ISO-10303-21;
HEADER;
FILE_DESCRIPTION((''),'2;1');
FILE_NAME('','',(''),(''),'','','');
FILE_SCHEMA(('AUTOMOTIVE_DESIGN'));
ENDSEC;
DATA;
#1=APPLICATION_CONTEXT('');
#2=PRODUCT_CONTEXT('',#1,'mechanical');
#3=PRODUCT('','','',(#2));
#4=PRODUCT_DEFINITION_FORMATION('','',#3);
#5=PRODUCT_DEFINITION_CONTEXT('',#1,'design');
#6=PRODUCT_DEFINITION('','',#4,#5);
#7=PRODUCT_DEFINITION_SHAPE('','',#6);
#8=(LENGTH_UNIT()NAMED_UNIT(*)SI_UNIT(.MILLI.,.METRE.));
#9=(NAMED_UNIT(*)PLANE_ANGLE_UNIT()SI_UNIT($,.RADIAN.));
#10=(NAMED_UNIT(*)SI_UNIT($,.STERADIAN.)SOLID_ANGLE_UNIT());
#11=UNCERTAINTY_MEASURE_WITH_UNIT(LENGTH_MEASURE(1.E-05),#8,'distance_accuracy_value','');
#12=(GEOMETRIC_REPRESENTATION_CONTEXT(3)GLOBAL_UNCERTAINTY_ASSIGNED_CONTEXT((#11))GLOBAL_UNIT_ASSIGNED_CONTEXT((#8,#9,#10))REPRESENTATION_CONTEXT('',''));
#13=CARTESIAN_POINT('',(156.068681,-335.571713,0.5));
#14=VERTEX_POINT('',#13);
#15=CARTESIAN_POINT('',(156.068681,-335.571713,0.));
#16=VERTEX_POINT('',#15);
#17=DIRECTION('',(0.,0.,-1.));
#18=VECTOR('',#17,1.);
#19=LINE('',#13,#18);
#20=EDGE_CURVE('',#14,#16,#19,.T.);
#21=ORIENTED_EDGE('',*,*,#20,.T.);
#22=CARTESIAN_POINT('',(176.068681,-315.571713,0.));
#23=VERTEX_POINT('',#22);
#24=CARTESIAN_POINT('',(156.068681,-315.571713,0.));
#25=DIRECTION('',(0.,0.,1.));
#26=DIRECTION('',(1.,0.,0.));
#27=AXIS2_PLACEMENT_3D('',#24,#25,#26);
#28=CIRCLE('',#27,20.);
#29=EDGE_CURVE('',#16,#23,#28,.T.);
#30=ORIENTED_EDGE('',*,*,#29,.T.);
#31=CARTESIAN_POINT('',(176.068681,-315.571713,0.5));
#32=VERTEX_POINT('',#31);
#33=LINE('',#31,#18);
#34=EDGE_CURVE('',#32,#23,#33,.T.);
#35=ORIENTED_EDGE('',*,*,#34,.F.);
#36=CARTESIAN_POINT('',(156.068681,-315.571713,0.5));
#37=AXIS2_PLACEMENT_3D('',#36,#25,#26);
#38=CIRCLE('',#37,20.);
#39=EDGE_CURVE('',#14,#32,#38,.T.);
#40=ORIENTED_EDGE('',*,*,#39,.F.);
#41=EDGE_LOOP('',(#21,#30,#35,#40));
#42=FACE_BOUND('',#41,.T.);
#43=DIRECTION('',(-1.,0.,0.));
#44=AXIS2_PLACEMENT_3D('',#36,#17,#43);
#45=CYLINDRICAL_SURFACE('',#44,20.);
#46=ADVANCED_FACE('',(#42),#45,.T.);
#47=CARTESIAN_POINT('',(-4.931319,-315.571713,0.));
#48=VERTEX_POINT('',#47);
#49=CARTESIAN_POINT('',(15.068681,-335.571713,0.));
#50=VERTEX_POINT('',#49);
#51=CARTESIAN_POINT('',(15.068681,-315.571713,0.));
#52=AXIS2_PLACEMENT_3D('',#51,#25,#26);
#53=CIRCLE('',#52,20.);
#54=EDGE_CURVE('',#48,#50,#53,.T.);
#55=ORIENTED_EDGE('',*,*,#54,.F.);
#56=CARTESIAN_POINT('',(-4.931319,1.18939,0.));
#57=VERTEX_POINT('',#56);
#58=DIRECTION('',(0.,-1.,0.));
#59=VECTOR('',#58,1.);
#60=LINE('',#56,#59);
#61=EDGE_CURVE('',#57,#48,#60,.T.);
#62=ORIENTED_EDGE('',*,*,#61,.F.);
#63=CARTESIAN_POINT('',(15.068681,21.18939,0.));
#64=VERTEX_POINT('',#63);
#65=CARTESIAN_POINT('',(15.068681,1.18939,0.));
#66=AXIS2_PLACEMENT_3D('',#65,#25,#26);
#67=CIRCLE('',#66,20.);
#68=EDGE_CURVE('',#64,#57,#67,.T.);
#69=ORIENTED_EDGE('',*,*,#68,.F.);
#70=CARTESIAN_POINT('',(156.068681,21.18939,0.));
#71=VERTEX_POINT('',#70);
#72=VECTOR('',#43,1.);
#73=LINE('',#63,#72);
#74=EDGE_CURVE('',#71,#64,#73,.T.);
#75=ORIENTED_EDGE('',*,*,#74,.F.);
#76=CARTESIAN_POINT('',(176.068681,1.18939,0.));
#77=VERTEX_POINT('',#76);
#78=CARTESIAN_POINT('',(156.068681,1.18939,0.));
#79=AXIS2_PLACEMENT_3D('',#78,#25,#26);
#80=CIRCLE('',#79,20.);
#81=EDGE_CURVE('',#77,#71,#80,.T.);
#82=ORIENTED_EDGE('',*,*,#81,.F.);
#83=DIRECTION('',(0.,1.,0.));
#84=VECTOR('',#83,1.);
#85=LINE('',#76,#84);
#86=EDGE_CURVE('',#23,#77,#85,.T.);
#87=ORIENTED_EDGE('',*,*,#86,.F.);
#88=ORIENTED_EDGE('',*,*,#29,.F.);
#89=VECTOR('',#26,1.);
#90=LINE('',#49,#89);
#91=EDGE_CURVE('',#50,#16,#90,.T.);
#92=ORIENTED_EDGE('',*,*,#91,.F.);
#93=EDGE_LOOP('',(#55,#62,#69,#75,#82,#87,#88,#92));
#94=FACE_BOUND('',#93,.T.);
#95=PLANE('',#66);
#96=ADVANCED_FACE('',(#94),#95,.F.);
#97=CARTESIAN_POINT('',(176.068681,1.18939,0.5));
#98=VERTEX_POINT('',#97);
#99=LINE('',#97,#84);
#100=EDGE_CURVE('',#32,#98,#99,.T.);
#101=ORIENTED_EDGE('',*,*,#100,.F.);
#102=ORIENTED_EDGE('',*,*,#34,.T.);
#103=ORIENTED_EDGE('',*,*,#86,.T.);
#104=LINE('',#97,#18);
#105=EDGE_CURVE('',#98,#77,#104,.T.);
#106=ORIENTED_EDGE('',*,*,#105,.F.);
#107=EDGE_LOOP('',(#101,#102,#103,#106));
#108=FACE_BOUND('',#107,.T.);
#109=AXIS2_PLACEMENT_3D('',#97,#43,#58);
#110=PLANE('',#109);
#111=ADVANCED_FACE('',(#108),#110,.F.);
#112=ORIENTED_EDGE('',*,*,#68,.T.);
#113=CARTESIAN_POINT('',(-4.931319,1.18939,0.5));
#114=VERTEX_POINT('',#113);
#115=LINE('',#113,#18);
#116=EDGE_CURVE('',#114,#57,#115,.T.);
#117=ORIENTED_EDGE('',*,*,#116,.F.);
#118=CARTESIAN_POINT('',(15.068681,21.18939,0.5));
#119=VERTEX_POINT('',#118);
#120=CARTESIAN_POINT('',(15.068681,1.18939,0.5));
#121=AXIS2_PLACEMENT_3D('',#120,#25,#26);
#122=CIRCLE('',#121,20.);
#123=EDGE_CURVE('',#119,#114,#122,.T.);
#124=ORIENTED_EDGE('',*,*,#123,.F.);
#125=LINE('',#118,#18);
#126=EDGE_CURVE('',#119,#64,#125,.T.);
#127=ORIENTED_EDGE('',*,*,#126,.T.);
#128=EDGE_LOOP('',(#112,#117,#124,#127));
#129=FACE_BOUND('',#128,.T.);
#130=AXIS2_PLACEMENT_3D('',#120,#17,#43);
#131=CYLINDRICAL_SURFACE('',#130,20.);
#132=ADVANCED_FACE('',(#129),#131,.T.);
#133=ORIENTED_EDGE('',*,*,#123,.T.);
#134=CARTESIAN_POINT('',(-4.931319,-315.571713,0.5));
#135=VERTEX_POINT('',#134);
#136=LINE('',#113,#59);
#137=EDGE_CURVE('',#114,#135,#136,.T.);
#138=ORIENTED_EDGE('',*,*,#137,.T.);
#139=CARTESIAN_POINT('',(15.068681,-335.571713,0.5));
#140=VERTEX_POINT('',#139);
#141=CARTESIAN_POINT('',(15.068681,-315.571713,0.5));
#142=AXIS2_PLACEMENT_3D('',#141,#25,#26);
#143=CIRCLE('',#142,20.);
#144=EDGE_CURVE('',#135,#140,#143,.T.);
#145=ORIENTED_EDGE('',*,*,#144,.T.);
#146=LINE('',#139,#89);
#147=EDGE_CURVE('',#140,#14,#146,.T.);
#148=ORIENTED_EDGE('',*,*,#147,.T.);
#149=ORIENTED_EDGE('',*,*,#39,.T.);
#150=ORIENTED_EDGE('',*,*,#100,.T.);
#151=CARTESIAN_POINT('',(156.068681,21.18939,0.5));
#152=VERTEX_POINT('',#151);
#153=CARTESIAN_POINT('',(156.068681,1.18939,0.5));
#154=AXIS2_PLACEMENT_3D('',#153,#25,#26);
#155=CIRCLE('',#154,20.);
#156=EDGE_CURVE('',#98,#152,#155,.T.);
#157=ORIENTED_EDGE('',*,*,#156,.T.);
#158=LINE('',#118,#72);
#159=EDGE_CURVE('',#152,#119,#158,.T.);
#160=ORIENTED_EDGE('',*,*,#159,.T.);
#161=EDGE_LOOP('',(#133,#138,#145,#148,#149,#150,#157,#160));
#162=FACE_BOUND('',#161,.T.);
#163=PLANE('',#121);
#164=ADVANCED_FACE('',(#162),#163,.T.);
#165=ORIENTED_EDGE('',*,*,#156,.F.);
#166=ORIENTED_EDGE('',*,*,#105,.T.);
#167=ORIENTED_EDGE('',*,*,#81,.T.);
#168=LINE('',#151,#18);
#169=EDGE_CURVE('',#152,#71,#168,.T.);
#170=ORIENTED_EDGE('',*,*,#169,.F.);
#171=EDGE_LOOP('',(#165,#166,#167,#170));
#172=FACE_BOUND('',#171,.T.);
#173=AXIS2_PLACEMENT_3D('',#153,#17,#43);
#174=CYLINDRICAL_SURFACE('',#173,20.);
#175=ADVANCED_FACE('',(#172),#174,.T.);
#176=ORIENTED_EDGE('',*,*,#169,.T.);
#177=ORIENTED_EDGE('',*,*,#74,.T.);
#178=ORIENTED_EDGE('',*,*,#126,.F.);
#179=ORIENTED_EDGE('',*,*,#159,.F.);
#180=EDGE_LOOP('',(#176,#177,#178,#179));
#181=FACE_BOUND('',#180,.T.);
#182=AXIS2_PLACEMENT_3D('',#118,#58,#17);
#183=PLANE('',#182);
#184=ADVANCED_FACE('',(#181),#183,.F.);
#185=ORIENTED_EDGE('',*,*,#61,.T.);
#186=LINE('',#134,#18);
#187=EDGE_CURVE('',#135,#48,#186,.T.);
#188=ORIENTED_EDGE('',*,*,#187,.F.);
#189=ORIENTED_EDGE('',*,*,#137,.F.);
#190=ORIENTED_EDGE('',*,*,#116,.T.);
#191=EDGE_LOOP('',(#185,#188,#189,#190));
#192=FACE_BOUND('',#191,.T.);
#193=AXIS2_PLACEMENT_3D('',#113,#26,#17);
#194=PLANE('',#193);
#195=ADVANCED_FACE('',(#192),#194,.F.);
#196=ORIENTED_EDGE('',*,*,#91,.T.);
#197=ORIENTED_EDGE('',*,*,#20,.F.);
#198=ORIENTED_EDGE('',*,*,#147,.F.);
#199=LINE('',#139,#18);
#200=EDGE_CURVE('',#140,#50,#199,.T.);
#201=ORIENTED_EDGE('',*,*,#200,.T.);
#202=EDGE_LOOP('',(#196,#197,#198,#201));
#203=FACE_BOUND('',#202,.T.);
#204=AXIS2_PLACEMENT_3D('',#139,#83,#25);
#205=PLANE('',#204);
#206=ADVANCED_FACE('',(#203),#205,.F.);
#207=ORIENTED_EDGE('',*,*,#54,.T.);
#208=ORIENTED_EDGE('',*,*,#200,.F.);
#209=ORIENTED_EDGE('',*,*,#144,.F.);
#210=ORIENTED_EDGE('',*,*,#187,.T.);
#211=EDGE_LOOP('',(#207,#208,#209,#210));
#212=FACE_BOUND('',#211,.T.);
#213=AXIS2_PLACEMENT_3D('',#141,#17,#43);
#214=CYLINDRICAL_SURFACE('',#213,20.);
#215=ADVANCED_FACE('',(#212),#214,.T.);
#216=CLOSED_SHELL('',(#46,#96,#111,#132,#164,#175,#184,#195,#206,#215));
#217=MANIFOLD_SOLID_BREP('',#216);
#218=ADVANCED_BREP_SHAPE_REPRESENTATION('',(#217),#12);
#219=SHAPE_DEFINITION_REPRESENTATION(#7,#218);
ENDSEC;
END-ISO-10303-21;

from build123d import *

# Parameters (mm, degrees)
EXTRUDE_1_DEPTH = 0.5


with BuildPart() as part:
    # Эскиз1 → Вытянуть1 (new body)
    with BuildSketch(Plane.XY):
        with BuildLine():
            Line((15.068680731, 21.189389506), (156.068680731, 21.189389506))
            ThreePointArc((156.068680731, 21.189389506), (170.210816355, 15.33152513), (176.068680731, 1.189389506))
            Line((176.068680731, 1.189389506), (176.068680731, -315.571712949))
            ThreePointArc((176.068680731, -315.571712949), (170.210816355, -329.713848573), (156.068680731, -335.571712949))
            Line((156.068680731, -335.571712949), (15.068680731, -335.571712949))
            ThreePointArc((15.068680731, -335.571712949), (0.926545107, -329.713848573), (-4.931319269, -315.571712949))
            Line((-4.931319269, -315.571712949), (-4.931319269, 1.189389506))
            ThreePointArc((-4.931319269, 1.189389506), (0.926545107, 15.33152513), (15.068680731, 21.189389506))
        make_face()
    extrude(amount=EXTRUDE_1_DEPTH)


solid = part.part
